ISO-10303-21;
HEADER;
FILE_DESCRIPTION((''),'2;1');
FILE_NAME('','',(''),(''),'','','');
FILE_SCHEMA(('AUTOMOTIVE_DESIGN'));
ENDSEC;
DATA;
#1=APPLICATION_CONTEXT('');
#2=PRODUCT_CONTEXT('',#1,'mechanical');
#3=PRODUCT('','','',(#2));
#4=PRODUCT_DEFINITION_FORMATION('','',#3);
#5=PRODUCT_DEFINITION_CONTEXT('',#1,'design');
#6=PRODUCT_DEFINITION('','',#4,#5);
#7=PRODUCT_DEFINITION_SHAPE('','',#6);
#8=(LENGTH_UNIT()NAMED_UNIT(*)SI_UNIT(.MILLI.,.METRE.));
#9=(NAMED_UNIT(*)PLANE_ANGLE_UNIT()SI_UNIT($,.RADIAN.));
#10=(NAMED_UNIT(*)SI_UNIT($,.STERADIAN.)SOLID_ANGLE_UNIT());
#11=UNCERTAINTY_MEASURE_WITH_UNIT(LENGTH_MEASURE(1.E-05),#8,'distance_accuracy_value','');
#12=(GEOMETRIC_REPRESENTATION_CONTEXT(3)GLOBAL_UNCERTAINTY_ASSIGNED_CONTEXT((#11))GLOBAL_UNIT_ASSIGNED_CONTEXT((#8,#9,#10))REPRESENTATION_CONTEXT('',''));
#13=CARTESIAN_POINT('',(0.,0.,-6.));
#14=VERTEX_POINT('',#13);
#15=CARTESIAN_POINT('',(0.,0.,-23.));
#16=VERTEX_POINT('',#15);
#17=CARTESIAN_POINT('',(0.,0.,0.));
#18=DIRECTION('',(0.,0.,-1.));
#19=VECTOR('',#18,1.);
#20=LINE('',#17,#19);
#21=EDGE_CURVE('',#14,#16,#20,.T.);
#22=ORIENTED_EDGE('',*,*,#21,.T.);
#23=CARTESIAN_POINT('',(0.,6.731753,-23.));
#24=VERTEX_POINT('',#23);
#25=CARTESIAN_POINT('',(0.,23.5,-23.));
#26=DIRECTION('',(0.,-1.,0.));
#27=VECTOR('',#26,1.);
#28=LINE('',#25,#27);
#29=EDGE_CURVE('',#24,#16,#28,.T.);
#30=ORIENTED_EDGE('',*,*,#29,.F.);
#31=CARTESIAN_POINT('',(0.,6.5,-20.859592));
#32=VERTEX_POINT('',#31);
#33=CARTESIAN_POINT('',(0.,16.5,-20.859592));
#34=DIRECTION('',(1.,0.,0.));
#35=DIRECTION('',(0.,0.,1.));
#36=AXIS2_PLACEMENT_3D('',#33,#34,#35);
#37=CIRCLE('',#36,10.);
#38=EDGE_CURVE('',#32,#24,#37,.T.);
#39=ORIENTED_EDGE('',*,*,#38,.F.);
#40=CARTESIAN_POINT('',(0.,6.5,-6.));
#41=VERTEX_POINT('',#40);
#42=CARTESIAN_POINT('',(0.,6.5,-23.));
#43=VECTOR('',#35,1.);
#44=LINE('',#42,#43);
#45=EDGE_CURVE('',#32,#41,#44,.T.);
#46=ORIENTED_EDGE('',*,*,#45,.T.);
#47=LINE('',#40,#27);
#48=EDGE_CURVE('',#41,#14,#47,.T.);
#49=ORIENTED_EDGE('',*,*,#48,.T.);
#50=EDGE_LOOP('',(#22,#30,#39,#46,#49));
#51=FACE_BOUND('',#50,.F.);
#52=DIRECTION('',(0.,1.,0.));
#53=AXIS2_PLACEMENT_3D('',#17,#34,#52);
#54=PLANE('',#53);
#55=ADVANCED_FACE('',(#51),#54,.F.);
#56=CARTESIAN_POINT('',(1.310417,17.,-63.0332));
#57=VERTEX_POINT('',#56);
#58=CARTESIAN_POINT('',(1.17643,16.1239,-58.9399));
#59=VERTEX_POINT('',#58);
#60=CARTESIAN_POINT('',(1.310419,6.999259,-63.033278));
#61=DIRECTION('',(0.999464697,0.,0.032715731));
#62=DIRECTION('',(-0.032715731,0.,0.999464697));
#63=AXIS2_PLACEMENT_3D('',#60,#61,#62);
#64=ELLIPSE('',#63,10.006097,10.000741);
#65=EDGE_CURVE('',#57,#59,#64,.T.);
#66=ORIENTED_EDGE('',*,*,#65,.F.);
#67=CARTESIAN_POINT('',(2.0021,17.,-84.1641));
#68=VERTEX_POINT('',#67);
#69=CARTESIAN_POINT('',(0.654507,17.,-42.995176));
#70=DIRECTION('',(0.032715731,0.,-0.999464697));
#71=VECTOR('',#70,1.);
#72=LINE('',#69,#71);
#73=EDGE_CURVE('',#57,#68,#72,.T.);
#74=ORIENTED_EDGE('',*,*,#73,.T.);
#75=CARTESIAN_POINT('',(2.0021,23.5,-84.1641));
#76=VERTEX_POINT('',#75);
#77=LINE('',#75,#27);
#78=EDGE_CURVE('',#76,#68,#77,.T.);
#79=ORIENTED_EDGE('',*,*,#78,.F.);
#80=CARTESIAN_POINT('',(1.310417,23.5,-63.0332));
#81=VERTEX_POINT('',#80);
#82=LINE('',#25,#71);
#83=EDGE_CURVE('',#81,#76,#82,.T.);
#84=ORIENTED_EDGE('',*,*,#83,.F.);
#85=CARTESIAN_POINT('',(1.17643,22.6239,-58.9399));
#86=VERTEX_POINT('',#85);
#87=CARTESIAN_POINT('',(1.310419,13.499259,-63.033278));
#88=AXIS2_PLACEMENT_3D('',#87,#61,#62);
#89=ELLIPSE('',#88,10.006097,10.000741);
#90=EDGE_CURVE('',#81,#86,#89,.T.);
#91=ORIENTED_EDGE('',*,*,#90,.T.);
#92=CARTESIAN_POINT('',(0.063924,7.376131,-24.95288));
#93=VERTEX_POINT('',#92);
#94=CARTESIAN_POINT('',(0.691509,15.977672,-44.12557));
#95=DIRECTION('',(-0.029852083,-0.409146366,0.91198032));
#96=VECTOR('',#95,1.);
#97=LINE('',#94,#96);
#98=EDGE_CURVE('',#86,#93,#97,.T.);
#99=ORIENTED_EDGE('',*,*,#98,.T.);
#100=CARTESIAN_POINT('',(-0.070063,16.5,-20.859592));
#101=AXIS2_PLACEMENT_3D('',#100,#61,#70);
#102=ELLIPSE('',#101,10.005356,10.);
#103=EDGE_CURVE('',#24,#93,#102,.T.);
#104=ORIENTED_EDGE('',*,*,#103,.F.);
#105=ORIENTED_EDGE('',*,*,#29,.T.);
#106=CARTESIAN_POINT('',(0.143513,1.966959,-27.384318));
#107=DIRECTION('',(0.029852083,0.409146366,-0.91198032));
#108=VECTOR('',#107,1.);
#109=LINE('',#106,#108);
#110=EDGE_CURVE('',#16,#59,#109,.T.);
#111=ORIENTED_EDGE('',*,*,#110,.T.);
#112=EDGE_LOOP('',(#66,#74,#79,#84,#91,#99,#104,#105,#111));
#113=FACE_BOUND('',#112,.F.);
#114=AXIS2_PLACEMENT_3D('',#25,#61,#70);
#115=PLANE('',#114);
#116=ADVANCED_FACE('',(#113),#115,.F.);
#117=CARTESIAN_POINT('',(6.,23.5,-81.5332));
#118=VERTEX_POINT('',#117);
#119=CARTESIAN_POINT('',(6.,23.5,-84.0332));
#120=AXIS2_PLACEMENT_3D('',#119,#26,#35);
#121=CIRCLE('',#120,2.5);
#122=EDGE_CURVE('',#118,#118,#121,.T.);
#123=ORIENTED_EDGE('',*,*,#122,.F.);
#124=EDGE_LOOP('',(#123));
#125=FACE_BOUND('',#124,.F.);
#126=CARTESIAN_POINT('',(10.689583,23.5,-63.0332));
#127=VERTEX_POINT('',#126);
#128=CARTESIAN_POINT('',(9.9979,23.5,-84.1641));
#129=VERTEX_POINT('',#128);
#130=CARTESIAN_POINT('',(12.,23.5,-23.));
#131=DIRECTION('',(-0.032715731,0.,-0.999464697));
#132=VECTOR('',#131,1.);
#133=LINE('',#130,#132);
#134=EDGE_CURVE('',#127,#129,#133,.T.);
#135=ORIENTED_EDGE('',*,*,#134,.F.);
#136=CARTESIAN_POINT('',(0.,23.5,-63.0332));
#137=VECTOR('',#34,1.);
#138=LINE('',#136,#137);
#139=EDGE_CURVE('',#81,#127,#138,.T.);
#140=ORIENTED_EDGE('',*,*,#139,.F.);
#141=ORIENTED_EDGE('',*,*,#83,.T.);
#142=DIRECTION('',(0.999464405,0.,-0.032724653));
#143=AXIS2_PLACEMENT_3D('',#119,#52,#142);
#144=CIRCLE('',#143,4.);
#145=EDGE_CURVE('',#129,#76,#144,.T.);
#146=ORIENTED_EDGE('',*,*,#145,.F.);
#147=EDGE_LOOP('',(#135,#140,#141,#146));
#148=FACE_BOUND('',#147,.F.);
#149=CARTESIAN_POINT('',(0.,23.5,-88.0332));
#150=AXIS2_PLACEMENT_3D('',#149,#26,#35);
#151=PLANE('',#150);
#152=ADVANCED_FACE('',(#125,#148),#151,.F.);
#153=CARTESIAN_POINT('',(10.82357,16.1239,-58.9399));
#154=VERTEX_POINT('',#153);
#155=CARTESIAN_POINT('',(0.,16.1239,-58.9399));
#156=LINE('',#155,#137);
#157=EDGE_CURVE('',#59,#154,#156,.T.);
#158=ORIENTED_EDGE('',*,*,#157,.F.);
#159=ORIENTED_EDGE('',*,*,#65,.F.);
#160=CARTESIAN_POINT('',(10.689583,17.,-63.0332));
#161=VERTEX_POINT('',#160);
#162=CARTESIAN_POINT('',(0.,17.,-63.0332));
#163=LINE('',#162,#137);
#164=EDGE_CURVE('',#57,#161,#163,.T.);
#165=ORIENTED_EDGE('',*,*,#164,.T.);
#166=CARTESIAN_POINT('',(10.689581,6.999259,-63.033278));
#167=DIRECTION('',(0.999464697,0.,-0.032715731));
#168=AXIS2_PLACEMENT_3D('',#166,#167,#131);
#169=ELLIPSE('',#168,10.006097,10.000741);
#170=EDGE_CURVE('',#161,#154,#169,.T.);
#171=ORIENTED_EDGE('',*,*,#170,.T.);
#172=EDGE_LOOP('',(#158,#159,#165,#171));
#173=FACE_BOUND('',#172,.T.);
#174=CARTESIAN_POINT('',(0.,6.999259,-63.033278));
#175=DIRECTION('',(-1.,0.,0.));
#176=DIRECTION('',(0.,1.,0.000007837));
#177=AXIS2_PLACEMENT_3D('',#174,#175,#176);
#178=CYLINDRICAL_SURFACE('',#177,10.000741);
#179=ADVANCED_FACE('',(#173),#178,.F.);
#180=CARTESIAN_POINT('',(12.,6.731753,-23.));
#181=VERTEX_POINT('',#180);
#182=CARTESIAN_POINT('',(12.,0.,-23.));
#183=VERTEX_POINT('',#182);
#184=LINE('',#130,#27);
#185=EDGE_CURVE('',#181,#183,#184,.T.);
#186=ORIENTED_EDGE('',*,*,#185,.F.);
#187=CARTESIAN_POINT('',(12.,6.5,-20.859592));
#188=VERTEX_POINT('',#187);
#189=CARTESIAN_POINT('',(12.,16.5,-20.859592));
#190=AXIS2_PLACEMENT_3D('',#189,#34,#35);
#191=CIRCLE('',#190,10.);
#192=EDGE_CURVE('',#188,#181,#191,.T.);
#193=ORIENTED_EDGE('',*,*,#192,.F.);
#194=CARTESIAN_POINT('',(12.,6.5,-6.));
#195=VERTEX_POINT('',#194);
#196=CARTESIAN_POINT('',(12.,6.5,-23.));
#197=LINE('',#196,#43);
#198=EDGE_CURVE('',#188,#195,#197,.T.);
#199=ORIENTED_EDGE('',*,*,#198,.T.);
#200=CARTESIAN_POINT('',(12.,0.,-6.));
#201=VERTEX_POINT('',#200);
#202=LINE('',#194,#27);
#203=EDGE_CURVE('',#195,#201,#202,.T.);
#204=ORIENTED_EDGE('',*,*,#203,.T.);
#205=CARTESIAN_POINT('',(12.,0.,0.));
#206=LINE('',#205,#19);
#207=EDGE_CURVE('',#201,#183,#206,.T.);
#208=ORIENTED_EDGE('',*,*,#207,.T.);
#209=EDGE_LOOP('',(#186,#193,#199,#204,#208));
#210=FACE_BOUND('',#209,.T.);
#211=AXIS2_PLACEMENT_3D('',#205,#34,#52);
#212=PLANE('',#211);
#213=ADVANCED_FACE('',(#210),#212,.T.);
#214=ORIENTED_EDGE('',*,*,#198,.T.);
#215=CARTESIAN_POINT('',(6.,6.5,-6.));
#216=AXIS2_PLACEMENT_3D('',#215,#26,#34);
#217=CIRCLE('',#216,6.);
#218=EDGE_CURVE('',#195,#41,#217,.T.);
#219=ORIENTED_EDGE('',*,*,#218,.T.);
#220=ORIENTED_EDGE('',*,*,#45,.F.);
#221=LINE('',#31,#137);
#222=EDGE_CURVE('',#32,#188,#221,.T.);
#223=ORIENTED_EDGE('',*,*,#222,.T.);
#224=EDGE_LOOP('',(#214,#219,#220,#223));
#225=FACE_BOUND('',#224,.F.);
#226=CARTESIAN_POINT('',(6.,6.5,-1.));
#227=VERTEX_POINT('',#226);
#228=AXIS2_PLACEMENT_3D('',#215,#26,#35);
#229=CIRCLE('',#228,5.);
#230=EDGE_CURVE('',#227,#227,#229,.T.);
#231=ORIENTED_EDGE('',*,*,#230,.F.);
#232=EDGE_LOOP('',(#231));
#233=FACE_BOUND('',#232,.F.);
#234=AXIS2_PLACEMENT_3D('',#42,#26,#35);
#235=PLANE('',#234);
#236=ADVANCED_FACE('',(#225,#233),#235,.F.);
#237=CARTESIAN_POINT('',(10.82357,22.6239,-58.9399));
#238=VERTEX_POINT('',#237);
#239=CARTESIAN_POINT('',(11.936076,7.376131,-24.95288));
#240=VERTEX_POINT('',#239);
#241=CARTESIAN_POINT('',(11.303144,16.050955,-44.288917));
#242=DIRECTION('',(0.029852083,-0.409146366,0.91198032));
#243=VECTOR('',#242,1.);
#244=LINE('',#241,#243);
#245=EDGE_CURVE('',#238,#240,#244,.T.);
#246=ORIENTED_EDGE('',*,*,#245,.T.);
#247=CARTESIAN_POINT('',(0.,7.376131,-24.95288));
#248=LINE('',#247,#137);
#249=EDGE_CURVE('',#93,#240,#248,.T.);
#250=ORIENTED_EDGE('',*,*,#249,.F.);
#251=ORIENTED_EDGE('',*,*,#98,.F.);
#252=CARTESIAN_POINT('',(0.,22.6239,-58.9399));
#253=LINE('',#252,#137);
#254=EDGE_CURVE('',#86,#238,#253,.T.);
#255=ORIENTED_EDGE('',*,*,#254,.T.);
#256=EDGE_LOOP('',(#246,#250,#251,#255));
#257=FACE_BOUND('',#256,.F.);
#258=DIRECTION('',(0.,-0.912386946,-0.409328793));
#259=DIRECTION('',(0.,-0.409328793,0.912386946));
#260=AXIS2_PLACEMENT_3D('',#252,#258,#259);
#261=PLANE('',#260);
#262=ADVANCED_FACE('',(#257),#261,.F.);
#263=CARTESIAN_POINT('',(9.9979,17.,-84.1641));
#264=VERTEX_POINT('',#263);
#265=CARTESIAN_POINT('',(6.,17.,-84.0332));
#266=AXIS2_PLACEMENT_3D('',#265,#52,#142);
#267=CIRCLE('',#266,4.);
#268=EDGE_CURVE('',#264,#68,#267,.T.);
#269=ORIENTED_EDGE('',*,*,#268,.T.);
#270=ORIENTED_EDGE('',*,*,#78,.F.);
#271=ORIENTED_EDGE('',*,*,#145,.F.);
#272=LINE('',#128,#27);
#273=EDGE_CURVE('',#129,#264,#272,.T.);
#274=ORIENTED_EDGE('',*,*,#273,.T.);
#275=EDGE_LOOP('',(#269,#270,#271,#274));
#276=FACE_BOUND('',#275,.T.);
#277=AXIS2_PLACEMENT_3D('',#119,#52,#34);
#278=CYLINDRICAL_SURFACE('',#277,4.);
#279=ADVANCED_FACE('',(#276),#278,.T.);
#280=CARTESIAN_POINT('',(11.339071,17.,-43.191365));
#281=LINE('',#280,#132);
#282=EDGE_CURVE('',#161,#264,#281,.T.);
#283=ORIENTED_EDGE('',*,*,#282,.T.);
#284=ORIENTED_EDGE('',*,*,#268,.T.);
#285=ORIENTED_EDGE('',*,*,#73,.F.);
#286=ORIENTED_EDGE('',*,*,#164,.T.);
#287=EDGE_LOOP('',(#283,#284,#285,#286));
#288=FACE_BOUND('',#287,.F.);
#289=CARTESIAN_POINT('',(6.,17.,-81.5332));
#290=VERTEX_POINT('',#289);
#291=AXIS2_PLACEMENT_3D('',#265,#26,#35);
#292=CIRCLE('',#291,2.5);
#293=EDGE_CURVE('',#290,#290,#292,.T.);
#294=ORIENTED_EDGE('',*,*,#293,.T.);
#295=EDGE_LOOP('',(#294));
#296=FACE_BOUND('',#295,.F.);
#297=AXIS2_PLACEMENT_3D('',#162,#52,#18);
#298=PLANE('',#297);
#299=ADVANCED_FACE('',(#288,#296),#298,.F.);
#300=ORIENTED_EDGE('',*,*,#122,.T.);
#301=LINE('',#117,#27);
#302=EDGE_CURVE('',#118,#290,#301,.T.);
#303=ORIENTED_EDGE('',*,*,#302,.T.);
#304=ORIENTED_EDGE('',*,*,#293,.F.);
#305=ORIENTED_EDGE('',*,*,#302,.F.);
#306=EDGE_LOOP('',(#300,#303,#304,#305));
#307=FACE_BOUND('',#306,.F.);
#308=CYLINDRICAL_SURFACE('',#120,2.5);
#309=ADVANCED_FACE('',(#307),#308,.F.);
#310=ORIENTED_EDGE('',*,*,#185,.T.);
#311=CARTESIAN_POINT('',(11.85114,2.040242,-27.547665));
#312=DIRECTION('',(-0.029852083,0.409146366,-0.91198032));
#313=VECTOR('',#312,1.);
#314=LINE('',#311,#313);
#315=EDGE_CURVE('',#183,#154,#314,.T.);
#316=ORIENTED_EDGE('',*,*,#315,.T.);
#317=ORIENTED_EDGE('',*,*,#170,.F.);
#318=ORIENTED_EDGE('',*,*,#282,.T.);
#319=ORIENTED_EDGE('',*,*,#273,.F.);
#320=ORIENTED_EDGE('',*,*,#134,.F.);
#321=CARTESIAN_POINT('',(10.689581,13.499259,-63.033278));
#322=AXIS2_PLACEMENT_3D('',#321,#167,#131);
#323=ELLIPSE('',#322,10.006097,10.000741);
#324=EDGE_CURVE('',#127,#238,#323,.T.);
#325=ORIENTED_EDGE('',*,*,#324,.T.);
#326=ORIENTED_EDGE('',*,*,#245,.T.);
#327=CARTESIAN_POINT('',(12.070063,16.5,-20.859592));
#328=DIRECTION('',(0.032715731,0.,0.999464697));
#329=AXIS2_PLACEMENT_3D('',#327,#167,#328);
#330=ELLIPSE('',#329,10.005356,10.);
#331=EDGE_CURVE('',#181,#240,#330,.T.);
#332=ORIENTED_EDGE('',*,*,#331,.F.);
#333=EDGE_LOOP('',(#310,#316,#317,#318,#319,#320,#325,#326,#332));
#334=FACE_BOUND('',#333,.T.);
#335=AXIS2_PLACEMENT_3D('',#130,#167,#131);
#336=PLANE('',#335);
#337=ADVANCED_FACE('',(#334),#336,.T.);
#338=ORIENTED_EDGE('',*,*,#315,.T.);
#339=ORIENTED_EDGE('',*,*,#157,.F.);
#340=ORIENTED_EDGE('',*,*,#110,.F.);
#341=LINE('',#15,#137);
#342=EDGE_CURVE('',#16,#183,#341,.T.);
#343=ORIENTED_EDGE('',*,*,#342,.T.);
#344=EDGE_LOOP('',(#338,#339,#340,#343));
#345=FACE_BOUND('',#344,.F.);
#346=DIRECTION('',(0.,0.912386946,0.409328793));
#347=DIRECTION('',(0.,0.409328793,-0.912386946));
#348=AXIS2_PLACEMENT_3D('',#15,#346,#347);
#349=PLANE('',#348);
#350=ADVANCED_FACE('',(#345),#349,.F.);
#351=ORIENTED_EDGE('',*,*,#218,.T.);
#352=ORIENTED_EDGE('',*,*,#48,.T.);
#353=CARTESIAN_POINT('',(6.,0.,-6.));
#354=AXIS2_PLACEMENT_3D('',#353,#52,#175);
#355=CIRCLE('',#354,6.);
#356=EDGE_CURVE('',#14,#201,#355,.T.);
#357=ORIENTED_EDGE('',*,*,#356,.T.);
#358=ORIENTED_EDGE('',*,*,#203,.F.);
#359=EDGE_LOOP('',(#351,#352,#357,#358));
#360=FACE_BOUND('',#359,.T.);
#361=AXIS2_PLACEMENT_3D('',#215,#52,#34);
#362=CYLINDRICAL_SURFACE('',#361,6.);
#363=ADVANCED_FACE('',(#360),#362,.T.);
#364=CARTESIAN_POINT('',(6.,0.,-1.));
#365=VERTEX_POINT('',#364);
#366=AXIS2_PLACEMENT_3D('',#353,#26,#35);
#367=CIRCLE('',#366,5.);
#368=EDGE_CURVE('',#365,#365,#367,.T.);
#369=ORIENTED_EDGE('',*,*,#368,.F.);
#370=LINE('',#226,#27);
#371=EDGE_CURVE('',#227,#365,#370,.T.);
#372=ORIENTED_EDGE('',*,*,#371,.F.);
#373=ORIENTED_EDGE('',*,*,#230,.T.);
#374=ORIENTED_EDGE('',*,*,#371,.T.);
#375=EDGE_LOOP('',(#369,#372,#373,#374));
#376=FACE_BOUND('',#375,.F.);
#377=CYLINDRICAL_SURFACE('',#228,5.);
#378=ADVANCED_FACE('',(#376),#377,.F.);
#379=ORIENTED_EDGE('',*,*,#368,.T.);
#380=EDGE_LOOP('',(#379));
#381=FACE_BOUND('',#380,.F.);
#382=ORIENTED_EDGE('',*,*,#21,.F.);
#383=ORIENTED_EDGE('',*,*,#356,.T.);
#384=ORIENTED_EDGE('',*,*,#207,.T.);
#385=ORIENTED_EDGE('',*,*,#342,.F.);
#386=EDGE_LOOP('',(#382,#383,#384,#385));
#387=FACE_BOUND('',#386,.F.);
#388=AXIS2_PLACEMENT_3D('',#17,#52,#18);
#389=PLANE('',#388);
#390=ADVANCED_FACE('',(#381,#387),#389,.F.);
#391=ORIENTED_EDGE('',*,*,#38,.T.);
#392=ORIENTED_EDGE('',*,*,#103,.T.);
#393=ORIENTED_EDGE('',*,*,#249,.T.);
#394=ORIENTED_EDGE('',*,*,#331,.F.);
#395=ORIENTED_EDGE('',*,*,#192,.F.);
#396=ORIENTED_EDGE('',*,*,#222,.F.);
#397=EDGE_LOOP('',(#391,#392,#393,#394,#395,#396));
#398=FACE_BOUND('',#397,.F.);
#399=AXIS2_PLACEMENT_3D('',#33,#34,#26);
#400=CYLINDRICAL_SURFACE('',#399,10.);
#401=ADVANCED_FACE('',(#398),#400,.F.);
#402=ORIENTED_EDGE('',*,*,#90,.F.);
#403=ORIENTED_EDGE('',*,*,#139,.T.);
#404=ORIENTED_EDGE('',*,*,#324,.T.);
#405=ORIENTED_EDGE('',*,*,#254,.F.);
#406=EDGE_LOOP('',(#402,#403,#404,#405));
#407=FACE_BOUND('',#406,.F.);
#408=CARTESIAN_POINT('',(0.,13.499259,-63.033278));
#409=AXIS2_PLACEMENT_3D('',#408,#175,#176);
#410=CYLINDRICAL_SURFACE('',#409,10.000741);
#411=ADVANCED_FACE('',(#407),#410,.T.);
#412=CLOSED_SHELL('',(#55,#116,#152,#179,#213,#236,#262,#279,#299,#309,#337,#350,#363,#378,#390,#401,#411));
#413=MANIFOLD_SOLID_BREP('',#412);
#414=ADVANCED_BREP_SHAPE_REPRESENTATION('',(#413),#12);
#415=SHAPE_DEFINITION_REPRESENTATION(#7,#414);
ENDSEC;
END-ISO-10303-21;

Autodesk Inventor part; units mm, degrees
ref_plane "YZ Plane" through (0, 0, 0) normal (1, 0, 0) x (0, 1, 0)
ref_plane "XZ Plane" through (0, 0, 0) normal (0, 1, 0) x (-1, 0, 0)
ref_plane "XY Plane" through (0, 0, 0) normal (0, 0, 1) x (1, 0, 0)
sketch "Sketch19" plane through (0, 0, 0) normal (1, 0, 0) x (0, 1, 0)
  line L0 (0, 0) -> (0, -23)
  line L1 (0, -23) -> (16.1239, -58.9399)
  line L2 (17, -63.0332) -> (17, -88.0332)
  line L3 (17, -88.0332) -> (23.5, -88.0332)
  line L4 (23.5, -88.0332) -> (23.5, -63.0332)
  line L5 (22.6239, -58.9399) -> (6.5, -23)
  line L6 (6.5, -23) -> (6.5, 0)
  line L7 (6.5, 0) -> (0, 0)
  arc A0 (17, -63.0332) -> (16.1239, -58.9399) centre (7, -63.0332) ccw
  arc A1 (23.5, -63.0332) -> (22.6239, -58.9399) centre (13.5, -63.0332) ccw
  point P0 (23.2785, -60.9402)
  dimension "d79" = 10
  dimension "d80" = 10
  dimension "d82" = 6.5
  dimension "d83" = 17
  dimension "d84" = 25
  dimension "d85" = 23
  dimension "d86" = 37.9402
extrude "Extrusion7" add sketch "Sketch19" along normal blind 12
sketch "Sketch20" plane through (0, 6.5, 0) normal (0, 1, 0) x (1, 0, 0)
  circle A0 centre (6, 6) radius 6
  line L0 (0, 0) -> (12, 0) projected
  line L1 (0, 0) -> (12, 0) projected
  line L2 (0, 0) -> (0, 6)
  line L3 (0, 0) -> (0, 23) projected
  line L4 (12, 0) -> (12, 6)
  point P0 (6, 0)
  point P1 (6, 0)
  dimension "d89" = 12
extrude "Extrusion8" cut sketch "Sketch20" against normal blind 12 contours L4 L0 A0 | A0 L0 L2
sketch "Sketch21" plane through (0, 23.5, -63.0332) normal (0, 1, 0) x (1, 0, 0)
  circle A0 centre (6, 21) radius 4
  line L0 (0, 25) -> (12, 25) projected
  arc A1 (0, -57.0332) -> (12, -57.0332) centre (6, -57.0332) ccw projected
  line L1 (12, -40.0332) -> (12, -57.0332) projected
  line L2 (0, -40.0332) -> (12, -40.0332) projected
  line L3 (0, -40.0332) -> (0, -57.0332) projected
  line L4 (0, -40.0332) -> (2.0021, 21.1309)
  line L5 (12, -40.0332) -> (12, -4.0933) projected
  line L6 (12, -40.0332) -> (9.9979, 21.1309)
  line L7 (0, 25) -> (0, 0) projected
  line L8 (0, -40.0332) -> (0, 25)
  line L9 (0, 25) -> (6, 25)
  line L10 (6, 25) -> (12, 25)
  line L11 (12, 0) -> (12, 25) projected
  line L12 (12, 25) -> (12, -40.0332)
  point P0 (0, -63.0332)
  point P1 (12, -4.0933)
  point P2 (12, 0)
  dimension "d93" = 8
extrude "Extrusion9" cut sketch "Sketch21" against normal up to surface (23.5 mm away) contours A0 L0 L11 L12 L5 L6 | L4 L8 L7 L0 A0
sketch "Sketch22" plane through (6, 6.5, -6) normal (0, 1, 0) x (1, 0, 0)
  arc A0 (-6, 0) -> (6, 0) centre (0, 0) ccw projected
  point P0 (-6, -6)
hole "Hole1" at (6, 6.5, -6) direction (0, -1, 0) diameter 10 end through all
sketch "Sketch23" plane through (6, 23.5, -84.0332) normal (0, 1, 0) x (1, 0, 0)
  arc A0 (3.9979, 0.1309) -> (-3.9979, 0.1309) centre (0, 0) ccw projected
  point P0 (-6, -84.0332)
hole "Hole2" at (6, 23.5, -84.0332) direction (0, -1, 0) diameter 5 end through all
fillet "Fillet1" radius 10 1 edges at (6, 6.5, -23)
properties part number "47B"
